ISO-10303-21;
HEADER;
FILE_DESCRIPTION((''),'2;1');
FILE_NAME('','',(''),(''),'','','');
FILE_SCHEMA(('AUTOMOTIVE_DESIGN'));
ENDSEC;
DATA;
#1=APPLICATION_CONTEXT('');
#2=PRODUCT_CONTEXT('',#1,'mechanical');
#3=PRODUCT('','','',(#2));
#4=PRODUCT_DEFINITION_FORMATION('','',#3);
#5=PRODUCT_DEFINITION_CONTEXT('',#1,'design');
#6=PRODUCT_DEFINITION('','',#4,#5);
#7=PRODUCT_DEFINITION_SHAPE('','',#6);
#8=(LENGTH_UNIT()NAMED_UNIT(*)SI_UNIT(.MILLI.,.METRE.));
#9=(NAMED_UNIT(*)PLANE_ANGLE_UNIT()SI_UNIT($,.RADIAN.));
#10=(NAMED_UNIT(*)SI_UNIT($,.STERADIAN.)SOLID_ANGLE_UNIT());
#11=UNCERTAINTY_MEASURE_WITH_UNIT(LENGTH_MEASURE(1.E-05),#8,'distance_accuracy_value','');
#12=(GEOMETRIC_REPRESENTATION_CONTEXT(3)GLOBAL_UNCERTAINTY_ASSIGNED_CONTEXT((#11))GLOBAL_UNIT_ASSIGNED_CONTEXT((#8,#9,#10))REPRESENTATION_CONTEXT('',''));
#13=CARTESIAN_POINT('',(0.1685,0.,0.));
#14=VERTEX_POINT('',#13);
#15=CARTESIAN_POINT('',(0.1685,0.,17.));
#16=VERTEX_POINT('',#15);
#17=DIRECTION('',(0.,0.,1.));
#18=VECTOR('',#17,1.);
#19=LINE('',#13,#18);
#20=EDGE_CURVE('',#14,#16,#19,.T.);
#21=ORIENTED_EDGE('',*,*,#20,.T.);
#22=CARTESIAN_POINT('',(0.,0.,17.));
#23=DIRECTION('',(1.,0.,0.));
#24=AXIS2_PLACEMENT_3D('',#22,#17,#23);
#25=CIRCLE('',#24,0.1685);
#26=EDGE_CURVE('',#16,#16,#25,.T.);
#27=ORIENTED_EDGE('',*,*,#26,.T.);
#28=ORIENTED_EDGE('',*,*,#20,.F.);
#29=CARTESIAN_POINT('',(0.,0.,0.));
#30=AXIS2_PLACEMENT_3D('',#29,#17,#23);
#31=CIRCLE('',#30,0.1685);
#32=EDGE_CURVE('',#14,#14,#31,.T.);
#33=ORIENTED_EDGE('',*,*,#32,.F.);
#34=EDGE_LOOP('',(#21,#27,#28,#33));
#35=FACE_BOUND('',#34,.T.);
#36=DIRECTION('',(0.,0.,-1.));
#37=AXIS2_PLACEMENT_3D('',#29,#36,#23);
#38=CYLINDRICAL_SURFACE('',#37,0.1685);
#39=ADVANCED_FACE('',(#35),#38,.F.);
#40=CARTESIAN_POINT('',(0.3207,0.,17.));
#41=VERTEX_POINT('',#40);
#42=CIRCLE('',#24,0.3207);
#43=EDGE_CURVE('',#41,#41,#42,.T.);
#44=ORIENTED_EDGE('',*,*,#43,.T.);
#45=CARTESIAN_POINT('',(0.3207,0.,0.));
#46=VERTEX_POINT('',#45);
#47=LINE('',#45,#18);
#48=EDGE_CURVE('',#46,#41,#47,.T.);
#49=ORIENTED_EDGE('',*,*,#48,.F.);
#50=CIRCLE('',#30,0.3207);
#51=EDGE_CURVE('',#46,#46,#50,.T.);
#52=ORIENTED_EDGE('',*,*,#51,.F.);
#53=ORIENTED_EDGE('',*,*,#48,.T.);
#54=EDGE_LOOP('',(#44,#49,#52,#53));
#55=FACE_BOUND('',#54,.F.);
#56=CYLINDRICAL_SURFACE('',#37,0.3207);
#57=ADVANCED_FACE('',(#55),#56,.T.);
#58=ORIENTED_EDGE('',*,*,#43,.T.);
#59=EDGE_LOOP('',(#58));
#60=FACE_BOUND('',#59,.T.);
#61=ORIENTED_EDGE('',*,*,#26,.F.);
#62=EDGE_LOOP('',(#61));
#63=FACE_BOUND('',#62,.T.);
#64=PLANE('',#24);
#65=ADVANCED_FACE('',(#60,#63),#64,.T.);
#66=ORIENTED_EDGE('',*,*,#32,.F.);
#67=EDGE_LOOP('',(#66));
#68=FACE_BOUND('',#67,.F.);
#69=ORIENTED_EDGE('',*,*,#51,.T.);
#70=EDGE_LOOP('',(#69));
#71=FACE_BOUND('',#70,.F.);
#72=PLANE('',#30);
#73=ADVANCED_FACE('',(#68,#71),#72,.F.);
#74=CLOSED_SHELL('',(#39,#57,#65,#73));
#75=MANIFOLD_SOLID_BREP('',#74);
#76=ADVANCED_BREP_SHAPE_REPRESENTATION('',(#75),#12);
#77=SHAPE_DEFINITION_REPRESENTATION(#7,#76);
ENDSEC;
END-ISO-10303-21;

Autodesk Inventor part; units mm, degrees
ref_plane "YZ Plane" through (0, 0, 0) normal (1, 0, 0) x (0, 1, 0)
ref_plane "XZ Plane" through (0, 0, 0) normal (0, 1, 0) x (-1, 0, 0)
ref_plane "XY Plane" through (0, 0, 0) normal (0, 0, 1) x (1, 0, 0)
sketch "Sketch1" plane through (0, 0, 0) normal (0, 0, 1) x (1, 0, 0)
  circle A0 centre (0, 0) radius 0.3207
  circle A1 centre (0, 0) radius 0.1685
  dimension "d0" = 0.6414
  dimension "d1" = 0.337
extrude "Extrusion1" add sketch "Sketch1" along normal blind 17
properties part number "23G_Pillar"
